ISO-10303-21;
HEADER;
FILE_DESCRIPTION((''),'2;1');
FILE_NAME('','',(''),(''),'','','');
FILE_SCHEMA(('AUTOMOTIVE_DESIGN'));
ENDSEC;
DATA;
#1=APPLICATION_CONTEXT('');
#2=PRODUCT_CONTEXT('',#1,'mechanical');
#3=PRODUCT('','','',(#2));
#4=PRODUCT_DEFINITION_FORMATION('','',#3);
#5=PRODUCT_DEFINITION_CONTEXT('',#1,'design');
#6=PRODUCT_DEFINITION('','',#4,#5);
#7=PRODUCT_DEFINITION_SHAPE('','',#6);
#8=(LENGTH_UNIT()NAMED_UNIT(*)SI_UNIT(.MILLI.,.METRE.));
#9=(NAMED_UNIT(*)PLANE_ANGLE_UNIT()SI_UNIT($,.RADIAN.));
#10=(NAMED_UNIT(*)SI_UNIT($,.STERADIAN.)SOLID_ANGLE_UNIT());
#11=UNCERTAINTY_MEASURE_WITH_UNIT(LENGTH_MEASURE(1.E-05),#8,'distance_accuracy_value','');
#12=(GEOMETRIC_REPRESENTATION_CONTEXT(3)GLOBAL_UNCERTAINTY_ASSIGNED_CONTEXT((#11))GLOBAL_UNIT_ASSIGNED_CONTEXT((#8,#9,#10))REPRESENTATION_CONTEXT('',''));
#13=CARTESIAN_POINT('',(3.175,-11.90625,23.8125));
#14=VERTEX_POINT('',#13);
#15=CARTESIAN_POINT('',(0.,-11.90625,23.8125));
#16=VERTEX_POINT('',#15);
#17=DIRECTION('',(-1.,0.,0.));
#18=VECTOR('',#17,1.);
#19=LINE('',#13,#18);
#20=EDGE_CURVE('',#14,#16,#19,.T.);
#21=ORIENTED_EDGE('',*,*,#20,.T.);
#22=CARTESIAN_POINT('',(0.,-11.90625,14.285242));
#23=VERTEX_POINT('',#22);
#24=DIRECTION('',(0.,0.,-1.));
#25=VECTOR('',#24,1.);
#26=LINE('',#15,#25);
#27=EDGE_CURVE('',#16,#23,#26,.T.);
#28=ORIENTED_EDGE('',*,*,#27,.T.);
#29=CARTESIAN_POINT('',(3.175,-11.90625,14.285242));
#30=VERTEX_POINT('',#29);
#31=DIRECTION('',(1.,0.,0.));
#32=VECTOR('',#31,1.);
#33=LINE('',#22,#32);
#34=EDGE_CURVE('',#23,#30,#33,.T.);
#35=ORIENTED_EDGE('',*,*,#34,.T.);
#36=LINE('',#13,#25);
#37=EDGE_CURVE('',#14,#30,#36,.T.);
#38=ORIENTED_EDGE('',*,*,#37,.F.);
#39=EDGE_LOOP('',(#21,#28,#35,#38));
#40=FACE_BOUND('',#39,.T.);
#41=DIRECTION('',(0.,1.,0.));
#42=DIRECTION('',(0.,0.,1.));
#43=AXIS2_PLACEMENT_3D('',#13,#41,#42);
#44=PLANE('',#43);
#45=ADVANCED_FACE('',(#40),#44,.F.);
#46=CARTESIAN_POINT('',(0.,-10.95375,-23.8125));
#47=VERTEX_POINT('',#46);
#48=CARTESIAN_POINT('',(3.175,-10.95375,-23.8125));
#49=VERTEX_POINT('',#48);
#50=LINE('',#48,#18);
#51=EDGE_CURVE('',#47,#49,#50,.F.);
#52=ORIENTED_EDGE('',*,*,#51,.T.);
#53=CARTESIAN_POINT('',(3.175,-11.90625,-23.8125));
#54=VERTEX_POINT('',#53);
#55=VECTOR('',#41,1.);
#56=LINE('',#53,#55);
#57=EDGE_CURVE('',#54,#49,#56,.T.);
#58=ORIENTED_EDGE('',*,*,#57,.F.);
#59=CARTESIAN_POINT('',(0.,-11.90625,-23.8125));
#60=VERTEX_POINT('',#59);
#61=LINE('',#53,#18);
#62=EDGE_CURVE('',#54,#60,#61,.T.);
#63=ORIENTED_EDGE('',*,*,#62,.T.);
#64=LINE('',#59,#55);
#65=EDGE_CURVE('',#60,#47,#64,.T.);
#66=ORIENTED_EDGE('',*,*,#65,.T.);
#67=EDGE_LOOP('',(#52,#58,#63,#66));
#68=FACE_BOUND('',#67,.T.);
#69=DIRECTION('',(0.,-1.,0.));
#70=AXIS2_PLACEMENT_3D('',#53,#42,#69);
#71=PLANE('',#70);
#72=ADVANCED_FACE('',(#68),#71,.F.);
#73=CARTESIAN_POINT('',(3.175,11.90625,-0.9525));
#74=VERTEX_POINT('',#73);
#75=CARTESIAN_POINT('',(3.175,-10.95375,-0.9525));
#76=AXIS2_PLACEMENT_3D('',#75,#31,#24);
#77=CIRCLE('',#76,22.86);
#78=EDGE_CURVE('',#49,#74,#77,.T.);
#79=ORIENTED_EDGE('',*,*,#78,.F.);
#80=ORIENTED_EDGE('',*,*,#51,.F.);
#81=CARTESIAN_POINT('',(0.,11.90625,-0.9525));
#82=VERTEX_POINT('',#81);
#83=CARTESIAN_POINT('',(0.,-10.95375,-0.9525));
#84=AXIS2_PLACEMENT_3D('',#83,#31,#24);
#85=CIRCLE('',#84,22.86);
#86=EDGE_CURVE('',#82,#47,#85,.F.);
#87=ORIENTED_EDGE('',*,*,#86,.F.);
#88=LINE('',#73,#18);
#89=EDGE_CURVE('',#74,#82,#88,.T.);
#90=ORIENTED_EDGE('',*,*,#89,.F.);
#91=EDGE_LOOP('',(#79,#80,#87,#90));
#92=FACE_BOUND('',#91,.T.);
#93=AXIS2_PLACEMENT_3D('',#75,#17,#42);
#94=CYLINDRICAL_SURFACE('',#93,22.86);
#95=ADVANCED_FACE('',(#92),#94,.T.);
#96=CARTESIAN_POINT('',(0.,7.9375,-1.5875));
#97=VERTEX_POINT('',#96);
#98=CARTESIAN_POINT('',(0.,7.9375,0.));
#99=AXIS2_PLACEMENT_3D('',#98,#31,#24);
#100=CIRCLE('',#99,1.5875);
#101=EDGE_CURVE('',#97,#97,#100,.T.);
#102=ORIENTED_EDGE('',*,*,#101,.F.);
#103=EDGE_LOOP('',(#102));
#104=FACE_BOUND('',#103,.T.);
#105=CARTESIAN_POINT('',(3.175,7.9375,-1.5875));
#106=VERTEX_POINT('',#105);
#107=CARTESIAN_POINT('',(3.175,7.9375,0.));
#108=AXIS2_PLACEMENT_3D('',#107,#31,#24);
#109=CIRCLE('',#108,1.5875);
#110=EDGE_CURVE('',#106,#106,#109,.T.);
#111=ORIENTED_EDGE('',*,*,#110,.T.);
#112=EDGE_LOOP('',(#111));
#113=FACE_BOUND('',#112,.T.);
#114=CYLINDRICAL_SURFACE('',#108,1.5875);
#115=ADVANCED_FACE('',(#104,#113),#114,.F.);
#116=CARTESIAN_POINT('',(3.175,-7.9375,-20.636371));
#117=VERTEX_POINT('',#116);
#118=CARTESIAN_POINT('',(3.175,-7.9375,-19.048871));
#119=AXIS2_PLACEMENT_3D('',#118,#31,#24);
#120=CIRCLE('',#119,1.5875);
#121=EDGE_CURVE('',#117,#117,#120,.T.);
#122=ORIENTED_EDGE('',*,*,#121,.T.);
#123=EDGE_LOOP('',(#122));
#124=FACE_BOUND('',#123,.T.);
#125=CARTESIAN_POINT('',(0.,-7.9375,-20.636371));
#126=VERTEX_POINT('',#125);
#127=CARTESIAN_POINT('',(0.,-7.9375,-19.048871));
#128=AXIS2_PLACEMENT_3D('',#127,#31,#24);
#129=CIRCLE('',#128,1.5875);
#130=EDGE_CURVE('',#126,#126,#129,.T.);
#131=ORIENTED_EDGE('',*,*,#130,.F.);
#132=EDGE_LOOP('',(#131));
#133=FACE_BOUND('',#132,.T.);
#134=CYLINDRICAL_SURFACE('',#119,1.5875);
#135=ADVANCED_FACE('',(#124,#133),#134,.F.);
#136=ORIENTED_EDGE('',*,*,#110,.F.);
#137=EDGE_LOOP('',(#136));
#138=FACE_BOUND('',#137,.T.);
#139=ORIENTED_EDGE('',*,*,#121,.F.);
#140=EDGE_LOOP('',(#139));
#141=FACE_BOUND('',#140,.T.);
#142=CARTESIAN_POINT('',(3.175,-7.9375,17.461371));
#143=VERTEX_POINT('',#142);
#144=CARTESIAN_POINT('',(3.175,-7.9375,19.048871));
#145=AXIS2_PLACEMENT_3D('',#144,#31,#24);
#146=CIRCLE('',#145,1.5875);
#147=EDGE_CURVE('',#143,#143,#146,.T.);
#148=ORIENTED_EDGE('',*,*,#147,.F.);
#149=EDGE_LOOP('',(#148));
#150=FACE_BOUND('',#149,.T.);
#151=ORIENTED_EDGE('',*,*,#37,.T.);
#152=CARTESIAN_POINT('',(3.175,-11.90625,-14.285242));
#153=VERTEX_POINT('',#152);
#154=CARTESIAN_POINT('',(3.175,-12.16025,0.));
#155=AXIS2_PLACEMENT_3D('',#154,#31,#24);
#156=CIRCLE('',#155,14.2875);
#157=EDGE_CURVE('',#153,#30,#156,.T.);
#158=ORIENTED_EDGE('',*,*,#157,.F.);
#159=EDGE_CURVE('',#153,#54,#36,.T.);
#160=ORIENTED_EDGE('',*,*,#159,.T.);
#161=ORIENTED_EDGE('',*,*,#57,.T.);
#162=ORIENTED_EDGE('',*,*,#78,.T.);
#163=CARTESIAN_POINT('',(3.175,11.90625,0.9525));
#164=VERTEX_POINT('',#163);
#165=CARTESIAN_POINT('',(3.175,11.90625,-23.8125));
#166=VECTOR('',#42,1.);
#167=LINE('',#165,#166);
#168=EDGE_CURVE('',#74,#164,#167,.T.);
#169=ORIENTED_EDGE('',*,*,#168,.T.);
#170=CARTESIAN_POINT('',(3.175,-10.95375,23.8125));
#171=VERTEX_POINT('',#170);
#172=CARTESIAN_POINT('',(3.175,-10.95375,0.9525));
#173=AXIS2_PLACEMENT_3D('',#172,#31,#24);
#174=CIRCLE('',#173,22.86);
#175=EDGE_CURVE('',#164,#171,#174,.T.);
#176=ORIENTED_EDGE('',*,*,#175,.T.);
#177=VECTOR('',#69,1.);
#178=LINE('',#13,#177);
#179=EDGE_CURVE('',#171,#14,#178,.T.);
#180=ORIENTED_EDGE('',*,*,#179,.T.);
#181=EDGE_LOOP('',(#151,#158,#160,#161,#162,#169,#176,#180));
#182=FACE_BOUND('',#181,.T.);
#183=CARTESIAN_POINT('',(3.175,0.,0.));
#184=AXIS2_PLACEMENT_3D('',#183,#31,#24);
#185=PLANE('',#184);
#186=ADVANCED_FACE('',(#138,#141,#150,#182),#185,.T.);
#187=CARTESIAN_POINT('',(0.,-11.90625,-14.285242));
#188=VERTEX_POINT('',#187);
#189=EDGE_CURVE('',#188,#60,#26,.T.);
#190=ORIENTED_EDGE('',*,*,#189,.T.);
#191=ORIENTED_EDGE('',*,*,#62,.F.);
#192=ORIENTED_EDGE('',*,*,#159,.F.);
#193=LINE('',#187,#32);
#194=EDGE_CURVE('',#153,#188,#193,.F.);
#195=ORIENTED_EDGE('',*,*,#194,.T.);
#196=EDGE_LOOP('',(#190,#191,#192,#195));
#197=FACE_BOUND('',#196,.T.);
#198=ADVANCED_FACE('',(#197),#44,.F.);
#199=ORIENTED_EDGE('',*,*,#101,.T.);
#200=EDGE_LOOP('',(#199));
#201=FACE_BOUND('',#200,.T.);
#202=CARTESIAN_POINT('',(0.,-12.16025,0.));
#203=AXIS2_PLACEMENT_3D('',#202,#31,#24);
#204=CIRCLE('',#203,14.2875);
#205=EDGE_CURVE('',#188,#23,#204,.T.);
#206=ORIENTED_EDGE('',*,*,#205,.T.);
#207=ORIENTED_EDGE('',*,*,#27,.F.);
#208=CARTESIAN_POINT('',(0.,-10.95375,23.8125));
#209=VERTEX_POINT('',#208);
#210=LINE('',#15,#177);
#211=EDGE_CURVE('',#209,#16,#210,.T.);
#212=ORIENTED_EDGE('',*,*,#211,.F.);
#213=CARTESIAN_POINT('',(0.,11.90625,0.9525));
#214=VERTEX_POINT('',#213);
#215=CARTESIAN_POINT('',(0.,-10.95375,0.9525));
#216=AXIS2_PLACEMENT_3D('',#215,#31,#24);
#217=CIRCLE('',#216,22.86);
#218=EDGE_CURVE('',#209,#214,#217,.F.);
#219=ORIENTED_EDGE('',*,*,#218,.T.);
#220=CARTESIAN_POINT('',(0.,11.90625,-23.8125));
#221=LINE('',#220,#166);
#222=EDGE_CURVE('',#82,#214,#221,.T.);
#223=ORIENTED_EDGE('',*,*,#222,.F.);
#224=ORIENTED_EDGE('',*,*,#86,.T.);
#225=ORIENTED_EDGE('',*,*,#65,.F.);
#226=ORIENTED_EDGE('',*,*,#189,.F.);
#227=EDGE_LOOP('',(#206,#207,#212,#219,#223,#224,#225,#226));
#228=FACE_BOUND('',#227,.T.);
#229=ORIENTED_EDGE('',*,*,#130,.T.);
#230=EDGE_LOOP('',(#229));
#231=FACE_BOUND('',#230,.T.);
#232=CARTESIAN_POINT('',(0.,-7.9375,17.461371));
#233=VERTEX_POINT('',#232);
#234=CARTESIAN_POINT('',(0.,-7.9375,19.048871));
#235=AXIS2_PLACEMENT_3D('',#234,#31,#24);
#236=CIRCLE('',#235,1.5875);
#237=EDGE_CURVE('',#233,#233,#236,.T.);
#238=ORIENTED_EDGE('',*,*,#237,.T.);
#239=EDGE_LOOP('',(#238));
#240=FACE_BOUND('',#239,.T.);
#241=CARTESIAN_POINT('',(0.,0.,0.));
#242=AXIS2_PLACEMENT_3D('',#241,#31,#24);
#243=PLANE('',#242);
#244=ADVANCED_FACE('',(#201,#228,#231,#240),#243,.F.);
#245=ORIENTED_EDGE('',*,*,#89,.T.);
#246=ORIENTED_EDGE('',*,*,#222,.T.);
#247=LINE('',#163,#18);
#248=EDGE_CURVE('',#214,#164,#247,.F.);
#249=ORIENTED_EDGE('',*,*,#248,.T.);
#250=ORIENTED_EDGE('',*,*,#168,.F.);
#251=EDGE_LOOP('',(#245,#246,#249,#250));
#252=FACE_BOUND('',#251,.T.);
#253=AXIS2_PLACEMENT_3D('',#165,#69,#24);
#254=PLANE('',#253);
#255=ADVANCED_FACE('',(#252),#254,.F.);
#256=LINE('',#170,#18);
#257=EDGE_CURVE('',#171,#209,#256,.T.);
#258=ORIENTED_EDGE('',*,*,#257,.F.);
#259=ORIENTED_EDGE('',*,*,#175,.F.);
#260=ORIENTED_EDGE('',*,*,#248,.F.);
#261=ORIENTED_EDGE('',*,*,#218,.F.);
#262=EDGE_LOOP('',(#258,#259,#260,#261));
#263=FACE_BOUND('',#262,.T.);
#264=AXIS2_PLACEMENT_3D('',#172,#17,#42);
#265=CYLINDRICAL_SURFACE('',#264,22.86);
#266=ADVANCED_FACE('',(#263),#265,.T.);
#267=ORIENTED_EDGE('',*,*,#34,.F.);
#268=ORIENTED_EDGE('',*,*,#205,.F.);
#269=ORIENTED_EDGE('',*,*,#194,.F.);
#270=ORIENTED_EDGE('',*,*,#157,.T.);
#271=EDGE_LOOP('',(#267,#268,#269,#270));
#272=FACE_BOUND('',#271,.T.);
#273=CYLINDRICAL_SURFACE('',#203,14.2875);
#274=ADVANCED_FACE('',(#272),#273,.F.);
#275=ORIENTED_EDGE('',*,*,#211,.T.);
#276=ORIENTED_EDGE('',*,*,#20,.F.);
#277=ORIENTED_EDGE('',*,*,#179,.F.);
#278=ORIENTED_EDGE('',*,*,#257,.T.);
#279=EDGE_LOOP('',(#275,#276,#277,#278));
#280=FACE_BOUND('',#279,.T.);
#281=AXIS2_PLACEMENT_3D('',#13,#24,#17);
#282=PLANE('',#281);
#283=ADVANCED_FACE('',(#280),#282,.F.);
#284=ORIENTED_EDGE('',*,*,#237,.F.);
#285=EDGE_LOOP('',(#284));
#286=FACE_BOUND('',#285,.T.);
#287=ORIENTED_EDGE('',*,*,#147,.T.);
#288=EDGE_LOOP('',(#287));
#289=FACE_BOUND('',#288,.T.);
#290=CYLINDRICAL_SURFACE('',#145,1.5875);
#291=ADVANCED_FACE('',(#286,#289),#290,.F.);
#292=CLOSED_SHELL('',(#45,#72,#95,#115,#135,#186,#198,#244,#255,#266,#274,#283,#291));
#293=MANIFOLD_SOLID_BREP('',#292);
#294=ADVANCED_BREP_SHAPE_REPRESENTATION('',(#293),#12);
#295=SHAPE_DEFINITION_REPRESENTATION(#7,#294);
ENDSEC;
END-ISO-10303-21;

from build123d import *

# Parameters (mm, degrees)
SKETCH1_W                        = 47.625
SKETCH1_H                        = 23.8125
BOSS_EXTRUDE1_DEPTH              = 3.175
SKETCH2_R                        = 14.2875
CUT_EXTRUDE1_DEPTH               = 27.811836385
F_1_8_0_125_DIAMETER_HOLE1_D     = 3.175
F_1_8_0_125_DIAMETER_HOLE1_DEPTH = 19.001994
F_1_8_0_125_DIAMETER_HOLE1_TIP   = 0.953866233
FILLET1_R                        = 22.86


with BuildPart() as part:
    # Sketch1 → Boss-Extrude1 (new body)
    with BuildSketch(Plane(origin=(0, 0, 0), x_dir=(0, 0, -1), z_dir=(1, 0, 0))):
        Rectangle(SKETCH1_W, SKETCH1_H)
    extrude(amount=BOSS_EXTRUDE1_DEPTH)

    # Sketch2 → Cut-Extrude1 (cut, through all)
    with BuildSketch(Plane(origin=(3.175, 0, 0), x_dir=(0, 0, -1), z_dir=(1, 0, 0))):
        with Locations((0, -12.16025)):
            Circle(SKETCH2_R)
    extrude(amount=-CUT_EXTRUDE1_DEPTH, mode=Mode.SUBTRACT)

    # 1/8 (0.125) Diameter Hole1
    with Locations(Plane(origin=(3.175, 0, 0), x_dir=(0, 0, -1), z_dir=(1, 0, 0))):
        with Locations((-19.048871022, -7.9375), (0, 7.9375), (19.048871022, -7.9375)):
            Hole(F_1_8_0_125_DIAMETER_HOLE1_D / 2, depth=F_1_8_0_125_DIAMETER_HOLE1_DEPTH)
            with Locations((0, 0, -(F_1_8_0_125_DIAMETER_HOLE1_DEPTH + F_1_8_0_125_DIAMETER_HOLE1_TIP / 2))):  # 118° drill point
                Cone(0, F_1_8_0_125_DIAMETER_HOLE1_D / 2, F_1_8_0_125_DIAMETER_HOLE1_TIP, mode=Mode.SUBTRACT)

    # Fillet1
    fillet1_edges = [part.edges().sort_by_distance(p)[0] for p in [
        (1.5875, 11.90625, 23.8125),
        (1.5875, 11.90625, -23.8125),
    ]]
    fillet(fillet1_edges, radius=FILLET1_R)


solid = part.part
